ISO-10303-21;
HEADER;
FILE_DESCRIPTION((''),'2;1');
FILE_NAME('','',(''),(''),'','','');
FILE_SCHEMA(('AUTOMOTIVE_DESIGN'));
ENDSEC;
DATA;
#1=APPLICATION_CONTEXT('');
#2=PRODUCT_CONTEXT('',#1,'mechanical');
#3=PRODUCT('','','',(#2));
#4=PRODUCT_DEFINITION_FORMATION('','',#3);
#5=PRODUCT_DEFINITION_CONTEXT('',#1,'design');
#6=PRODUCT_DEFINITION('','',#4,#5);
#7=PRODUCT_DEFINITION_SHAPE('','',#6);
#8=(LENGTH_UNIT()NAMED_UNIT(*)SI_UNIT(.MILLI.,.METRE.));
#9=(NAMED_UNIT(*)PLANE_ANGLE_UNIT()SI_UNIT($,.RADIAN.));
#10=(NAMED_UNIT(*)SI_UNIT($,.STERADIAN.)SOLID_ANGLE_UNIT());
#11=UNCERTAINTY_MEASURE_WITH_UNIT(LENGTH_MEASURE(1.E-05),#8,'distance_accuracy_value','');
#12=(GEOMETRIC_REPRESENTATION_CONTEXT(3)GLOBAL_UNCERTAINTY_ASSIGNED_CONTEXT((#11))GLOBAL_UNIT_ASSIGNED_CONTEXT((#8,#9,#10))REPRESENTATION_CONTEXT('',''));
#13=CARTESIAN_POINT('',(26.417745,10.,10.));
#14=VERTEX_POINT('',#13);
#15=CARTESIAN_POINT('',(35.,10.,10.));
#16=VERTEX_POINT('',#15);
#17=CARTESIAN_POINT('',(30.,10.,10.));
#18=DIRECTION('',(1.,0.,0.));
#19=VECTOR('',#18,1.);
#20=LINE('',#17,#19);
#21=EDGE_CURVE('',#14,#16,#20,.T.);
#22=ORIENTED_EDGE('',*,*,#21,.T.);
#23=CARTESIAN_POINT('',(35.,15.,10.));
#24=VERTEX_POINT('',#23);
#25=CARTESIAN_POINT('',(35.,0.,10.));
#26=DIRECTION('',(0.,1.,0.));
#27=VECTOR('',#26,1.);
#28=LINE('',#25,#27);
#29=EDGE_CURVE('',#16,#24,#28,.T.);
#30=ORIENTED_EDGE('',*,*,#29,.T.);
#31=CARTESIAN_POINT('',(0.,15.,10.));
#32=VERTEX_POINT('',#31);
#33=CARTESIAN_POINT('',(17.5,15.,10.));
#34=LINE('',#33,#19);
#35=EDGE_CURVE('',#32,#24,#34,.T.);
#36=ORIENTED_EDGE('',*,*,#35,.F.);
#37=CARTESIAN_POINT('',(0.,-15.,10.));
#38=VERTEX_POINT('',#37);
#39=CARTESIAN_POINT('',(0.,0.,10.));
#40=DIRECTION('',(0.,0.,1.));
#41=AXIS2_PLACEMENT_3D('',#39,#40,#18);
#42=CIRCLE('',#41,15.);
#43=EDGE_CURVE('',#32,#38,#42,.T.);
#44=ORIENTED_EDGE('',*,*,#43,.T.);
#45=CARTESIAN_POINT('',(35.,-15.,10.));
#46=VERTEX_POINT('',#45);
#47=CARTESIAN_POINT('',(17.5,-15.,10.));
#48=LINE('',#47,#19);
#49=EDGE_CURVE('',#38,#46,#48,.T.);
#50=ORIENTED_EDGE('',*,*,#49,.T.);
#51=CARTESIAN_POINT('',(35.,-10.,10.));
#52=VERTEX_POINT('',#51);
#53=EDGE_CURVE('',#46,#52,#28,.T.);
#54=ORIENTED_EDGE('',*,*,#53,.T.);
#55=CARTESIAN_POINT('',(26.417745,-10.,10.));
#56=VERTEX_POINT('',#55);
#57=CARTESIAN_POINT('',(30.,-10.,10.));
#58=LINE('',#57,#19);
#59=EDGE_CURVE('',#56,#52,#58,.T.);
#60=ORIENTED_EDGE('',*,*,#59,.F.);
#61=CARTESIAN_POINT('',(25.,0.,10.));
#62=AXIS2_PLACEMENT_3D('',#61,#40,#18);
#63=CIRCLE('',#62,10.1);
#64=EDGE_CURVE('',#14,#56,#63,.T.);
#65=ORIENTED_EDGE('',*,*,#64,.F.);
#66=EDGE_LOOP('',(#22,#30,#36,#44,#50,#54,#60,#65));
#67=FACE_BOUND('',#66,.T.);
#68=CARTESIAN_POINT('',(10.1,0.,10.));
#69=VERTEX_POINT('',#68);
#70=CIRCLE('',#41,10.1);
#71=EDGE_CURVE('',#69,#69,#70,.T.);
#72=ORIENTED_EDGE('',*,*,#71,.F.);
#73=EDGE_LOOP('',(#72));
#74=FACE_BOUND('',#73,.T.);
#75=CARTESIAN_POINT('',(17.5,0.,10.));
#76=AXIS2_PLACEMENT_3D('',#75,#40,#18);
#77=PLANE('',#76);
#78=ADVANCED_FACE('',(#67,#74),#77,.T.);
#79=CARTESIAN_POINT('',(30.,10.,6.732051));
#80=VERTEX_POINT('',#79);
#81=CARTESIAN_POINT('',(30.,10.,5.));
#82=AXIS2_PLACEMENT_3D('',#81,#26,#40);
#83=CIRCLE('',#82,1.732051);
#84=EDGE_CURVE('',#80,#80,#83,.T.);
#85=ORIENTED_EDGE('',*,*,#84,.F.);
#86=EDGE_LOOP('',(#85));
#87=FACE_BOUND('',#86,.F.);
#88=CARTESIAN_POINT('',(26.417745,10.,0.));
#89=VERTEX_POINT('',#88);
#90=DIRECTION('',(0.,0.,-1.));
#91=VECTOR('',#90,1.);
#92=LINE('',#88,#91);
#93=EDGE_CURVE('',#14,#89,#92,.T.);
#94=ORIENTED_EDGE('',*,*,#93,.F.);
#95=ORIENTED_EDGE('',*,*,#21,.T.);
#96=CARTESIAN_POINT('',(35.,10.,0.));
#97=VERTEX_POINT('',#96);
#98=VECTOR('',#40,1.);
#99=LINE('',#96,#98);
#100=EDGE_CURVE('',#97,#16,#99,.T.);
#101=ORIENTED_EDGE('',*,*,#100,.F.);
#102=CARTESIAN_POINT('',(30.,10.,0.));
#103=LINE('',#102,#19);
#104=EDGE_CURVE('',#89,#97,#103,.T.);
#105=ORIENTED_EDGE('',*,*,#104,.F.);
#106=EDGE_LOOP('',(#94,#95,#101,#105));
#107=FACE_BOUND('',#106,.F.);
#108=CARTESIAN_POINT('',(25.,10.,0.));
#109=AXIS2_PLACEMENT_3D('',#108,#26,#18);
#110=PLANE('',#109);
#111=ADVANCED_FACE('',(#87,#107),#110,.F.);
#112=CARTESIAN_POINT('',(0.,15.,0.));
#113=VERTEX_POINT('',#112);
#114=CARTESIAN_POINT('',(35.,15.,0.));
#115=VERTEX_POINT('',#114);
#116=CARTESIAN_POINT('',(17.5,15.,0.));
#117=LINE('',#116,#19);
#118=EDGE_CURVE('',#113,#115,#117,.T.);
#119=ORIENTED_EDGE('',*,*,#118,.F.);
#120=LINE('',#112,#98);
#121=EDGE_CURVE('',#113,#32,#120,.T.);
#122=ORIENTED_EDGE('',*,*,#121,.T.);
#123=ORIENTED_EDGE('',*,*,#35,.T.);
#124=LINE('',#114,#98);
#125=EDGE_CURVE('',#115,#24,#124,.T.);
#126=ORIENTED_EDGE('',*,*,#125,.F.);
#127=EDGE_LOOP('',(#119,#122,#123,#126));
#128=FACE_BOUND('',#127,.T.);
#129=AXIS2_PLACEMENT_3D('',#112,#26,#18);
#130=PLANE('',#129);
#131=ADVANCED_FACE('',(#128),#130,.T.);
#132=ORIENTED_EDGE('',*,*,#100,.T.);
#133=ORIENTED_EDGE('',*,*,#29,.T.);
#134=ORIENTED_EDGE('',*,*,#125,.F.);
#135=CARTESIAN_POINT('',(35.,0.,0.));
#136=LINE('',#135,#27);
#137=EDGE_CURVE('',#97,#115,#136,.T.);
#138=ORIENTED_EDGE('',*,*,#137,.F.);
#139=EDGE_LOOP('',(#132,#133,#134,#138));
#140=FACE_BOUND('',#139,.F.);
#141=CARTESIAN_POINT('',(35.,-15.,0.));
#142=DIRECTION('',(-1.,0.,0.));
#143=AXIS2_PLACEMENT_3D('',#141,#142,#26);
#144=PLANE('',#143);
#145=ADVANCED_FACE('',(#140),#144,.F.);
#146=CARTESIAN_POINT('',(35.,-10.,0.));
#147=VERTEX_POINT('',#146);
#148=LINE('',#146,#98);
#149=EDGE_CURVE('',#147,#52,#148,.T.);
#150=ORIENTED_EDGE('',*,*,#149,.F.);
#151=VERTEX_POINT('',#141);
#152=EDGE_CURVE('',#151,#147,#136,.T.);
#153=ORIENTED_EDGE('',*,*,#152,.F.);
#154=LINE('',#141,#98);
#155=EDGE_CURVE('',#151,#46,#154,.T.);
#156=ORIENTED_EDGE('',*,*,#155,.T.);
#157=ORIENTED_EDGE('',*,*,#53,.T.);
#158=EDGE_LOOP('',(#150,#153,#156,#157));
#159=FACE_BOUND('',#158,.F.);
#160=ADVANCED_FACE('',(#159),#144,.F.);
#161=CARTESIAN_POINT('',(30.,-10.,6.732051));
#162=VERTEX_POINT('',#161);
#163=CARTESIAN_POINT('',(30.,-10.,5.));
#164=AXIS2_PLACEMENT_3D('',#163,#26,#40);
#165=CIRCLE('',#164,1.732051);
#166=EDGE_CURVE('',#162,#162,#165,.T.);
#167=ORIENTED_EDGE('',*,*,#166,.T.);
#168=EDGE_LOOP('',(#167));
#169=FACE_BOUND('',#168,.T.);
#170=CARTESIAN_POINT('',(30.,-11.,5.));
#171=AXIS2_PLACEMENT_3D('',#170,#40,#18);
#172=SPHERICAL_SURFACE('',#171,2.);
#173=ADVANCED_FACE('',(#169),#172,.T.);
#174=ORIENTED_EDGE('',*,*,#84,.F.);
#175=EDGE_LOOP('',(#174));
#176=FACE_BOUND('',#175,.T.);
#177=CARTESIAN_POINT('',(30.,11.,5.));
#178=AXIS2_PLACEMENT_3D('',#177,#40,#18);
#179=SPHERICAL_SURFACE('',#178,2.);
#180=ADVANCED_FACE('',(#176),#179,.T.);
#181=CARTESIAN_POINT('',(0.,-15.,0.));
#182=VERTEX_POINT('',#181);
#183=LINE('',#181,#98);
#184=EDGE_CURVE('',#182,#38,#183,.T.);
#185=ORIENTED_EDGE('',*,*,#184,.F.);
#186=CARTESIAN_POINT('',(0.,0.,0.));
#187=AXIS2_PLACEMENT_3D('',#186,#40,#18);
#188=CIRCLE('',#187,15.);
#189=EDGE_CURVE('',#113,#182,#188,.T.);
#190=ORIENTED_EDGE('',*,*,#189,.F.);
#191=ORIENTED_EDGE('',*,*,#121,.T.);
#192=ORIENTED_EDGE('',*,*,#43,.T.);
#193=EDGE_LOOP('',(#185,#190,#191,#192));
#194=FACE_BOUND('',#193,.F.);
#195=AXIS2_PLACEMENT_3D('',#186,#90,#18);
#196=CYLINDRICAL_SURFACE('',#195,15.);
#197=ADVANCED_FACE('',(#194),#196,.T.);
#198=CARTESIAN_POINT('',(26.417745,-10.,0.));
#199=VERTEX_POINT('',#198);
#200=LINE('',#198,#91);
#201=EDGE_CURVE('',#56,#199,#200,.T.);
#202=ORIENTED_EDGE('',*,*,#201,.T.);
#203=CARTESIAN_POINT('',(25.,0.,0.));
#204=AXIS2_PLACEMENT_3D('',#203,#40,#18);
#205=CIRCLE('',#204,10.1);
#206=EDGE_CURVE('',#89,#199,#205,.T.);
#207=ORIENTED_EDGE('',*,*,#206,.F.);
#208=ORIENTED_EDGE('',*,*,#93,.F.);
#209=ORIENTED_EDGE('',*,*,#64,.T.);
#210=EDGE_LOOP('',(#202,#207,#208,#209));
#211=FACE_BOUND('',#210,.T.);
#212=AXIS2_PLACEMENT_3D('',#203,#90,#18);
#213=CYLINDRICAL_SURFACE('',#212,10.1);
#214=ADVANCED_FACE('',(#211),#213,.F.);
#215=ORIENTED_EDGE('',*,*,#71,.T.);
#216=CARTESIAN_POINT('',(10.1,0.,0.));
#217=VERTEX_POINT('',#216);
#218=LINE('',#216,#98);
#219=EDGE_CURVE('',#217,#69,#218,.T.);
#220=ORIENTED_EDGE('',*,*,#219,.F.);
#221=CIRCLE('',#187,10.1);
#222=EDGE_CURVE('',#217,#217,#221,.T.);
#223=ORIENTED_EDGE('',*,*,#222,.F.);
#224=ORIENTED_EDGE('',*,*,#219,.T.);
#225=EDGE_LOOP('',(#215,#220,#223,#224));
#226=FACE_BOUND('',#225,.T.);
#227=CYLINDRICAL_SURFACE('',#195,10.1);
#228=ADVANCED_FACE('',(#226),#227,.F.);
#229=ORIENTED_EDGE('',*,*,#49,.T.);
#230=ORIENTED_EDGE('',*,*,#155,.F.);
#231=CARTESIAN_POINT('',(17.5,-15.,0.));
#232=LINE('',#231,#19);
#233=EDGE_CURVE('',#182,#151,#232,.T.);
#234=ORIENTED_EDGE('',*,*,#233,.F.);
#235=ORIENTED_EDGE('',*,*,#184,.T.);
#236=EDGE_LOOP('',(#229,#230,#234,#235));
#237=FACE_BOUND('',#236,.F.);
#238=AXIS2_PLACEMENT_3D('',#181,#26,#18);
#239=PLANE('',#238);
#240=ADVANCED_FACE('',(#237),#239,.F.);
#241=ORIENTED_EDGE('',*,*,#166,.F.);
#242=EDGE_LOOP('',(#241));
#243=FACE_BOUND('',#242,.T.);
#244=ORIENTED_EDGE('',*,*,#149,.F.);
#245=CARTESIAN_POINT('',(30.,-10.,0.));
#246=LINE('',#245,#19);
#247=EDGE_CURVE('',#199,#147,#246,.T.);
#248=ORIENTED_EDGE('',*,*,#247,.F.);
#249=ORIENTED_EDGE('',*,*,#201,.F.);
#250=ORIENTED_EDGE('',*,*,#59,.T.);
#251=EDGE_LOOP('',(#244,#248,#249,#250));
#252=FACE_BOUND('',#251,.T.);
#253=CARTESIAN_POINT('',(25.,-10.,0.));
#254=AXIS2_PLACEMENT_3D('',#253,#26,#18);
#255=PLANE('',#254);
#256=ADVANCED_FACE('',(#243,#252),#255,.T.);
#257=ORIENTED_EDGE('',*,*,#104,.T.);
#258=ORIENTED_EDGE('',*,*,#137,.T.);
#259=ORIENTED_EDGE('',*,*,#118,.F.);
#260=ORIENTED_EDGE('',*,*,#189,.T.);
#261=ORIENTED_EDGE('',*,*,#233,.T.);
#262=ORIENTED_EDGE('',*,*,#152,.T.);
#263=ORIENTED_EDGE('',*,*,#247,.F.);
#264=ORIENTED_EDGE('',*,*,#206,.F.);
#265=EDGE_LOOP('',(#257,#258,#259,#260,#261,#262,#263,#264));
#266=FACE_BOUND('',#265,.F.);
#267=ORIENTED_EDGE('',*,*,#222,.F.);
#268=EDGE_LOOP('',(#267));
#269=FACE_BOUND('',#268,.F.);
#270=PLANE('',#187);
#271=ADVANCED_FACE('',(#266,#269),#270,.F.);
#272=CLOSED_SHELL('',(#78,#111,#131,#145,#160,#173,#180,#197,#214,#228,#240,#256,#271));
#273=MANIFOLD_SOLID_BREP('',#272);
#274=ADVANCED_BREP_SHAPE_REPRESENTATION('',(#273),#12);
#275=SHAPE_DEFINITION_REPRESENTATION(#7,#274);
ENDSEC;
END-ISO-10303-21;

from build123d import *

# Parameters (mm, degrees)
CYLINDER002_R     = 10.1
CYLINDER002_DEPTH = 10
BOX001_W          = 10
BOX001_H          = 20
BOX001_DEPTH      = 10
CYLINDER001_R     = 10.1
CYLINDER001_DEPTH = 10
BOX_W             = 35
BOX_H             = 30
BOX_DEPTH         = 10
CYLINDER_R        = 15
CYLINDER_DEPTH    = 10


with BuildPart() as sphere:
    # Sphere → Sphere (revolve)
    with BuildSketch(Plane(origin=(30, 11, 5), x_dir=(1, 0, 0), z_dir=(0, -1, 0))):
        with BuildLine():
            ThreePointArc((0, -2), (2, 0), (0, 2))
            Line((0, 2), (0, -2))
        make_face()
    revolve(axis=Axis((30, 11, 5), (0, 0, 1)))


with BuildPart() as cylinder002:
    # Cylinder002 → Cylinder002 (new body)
    with BuildSketch(Plane(origin=(25, 0, 0), x_dir=(1, 0, 0), z_dir=(0, 0, 1))):
        Circle(CYLINDER002_R)
    extrude(amount=CYLINDER002_DEPTH)


with BuildPart() as cube001:
    # Box001 → Box001 (new body)
    with BuildSketch(Plane(origin=(25, -10, 0), x_dir=(1, 0, 0), z_dir=(0, 0, 1))):
        with Locations((5, 10)):
            Rectangle(BOX001_W, BOX001_H)
    extrude(amount=BOX001_DEPTH)


with BuildPart() as negative_fusion:
    # Cylinder001 → Cylinder001 (new body)
    with BuildSketch(Plane.XY):
        Circle(CYLINDER001_R)
    extrude(amount=CYLINDER001_DEPTH)

    # Fusion001: union Cylinder002, Cube001
    add(cylinder002.part)
    add(cube001.part)


with BuildPart() as cube:
    # Box → Box (new body)
    with BuildSketch(Plane(origin=(0, -15, 0), x_dir=(1, 0, 0), z_dir=(0, 0, 1))):
        with Locations((17.5, 15)):
            Rectangle(BOX_W, BOX_H)
    extrude(amount=BOX_DEPTH)


with BuildPart() as cut:
    # Cylinder → Cylinder (new body)
    with BuildSketch(Plane.XY):
        Circle(CYLINDER_R)
    extrude(amount=CYLINDER_DEPTH)

    # Fusion: union Cube
    add(cube.part)

    # Cut: cut Negative Fusion
    add(negative_fusion.part, mode=Mode.SUBTRACT)


with BuildPart() as fusion002:
    # Sphere001 → Sphere001 (revolve)
    with BuildSketch(Plane(origin=(30, -11, 5), x_dir=(1, 0, 0), z_dir=(0, -1, 0))):
        with BuildLine():
            ThreePointArc((0, -2), (2, 0), (0, 2))
            Line((0, 2), (0, -2))
        make_face()
    revolve(axis=Axis((30, -11, 5), (0, 0, 1)))

    # Fusion002: union Sphere, Cut
    add(sphere.part)
    add(cut.part)


solid = fusion002.part
